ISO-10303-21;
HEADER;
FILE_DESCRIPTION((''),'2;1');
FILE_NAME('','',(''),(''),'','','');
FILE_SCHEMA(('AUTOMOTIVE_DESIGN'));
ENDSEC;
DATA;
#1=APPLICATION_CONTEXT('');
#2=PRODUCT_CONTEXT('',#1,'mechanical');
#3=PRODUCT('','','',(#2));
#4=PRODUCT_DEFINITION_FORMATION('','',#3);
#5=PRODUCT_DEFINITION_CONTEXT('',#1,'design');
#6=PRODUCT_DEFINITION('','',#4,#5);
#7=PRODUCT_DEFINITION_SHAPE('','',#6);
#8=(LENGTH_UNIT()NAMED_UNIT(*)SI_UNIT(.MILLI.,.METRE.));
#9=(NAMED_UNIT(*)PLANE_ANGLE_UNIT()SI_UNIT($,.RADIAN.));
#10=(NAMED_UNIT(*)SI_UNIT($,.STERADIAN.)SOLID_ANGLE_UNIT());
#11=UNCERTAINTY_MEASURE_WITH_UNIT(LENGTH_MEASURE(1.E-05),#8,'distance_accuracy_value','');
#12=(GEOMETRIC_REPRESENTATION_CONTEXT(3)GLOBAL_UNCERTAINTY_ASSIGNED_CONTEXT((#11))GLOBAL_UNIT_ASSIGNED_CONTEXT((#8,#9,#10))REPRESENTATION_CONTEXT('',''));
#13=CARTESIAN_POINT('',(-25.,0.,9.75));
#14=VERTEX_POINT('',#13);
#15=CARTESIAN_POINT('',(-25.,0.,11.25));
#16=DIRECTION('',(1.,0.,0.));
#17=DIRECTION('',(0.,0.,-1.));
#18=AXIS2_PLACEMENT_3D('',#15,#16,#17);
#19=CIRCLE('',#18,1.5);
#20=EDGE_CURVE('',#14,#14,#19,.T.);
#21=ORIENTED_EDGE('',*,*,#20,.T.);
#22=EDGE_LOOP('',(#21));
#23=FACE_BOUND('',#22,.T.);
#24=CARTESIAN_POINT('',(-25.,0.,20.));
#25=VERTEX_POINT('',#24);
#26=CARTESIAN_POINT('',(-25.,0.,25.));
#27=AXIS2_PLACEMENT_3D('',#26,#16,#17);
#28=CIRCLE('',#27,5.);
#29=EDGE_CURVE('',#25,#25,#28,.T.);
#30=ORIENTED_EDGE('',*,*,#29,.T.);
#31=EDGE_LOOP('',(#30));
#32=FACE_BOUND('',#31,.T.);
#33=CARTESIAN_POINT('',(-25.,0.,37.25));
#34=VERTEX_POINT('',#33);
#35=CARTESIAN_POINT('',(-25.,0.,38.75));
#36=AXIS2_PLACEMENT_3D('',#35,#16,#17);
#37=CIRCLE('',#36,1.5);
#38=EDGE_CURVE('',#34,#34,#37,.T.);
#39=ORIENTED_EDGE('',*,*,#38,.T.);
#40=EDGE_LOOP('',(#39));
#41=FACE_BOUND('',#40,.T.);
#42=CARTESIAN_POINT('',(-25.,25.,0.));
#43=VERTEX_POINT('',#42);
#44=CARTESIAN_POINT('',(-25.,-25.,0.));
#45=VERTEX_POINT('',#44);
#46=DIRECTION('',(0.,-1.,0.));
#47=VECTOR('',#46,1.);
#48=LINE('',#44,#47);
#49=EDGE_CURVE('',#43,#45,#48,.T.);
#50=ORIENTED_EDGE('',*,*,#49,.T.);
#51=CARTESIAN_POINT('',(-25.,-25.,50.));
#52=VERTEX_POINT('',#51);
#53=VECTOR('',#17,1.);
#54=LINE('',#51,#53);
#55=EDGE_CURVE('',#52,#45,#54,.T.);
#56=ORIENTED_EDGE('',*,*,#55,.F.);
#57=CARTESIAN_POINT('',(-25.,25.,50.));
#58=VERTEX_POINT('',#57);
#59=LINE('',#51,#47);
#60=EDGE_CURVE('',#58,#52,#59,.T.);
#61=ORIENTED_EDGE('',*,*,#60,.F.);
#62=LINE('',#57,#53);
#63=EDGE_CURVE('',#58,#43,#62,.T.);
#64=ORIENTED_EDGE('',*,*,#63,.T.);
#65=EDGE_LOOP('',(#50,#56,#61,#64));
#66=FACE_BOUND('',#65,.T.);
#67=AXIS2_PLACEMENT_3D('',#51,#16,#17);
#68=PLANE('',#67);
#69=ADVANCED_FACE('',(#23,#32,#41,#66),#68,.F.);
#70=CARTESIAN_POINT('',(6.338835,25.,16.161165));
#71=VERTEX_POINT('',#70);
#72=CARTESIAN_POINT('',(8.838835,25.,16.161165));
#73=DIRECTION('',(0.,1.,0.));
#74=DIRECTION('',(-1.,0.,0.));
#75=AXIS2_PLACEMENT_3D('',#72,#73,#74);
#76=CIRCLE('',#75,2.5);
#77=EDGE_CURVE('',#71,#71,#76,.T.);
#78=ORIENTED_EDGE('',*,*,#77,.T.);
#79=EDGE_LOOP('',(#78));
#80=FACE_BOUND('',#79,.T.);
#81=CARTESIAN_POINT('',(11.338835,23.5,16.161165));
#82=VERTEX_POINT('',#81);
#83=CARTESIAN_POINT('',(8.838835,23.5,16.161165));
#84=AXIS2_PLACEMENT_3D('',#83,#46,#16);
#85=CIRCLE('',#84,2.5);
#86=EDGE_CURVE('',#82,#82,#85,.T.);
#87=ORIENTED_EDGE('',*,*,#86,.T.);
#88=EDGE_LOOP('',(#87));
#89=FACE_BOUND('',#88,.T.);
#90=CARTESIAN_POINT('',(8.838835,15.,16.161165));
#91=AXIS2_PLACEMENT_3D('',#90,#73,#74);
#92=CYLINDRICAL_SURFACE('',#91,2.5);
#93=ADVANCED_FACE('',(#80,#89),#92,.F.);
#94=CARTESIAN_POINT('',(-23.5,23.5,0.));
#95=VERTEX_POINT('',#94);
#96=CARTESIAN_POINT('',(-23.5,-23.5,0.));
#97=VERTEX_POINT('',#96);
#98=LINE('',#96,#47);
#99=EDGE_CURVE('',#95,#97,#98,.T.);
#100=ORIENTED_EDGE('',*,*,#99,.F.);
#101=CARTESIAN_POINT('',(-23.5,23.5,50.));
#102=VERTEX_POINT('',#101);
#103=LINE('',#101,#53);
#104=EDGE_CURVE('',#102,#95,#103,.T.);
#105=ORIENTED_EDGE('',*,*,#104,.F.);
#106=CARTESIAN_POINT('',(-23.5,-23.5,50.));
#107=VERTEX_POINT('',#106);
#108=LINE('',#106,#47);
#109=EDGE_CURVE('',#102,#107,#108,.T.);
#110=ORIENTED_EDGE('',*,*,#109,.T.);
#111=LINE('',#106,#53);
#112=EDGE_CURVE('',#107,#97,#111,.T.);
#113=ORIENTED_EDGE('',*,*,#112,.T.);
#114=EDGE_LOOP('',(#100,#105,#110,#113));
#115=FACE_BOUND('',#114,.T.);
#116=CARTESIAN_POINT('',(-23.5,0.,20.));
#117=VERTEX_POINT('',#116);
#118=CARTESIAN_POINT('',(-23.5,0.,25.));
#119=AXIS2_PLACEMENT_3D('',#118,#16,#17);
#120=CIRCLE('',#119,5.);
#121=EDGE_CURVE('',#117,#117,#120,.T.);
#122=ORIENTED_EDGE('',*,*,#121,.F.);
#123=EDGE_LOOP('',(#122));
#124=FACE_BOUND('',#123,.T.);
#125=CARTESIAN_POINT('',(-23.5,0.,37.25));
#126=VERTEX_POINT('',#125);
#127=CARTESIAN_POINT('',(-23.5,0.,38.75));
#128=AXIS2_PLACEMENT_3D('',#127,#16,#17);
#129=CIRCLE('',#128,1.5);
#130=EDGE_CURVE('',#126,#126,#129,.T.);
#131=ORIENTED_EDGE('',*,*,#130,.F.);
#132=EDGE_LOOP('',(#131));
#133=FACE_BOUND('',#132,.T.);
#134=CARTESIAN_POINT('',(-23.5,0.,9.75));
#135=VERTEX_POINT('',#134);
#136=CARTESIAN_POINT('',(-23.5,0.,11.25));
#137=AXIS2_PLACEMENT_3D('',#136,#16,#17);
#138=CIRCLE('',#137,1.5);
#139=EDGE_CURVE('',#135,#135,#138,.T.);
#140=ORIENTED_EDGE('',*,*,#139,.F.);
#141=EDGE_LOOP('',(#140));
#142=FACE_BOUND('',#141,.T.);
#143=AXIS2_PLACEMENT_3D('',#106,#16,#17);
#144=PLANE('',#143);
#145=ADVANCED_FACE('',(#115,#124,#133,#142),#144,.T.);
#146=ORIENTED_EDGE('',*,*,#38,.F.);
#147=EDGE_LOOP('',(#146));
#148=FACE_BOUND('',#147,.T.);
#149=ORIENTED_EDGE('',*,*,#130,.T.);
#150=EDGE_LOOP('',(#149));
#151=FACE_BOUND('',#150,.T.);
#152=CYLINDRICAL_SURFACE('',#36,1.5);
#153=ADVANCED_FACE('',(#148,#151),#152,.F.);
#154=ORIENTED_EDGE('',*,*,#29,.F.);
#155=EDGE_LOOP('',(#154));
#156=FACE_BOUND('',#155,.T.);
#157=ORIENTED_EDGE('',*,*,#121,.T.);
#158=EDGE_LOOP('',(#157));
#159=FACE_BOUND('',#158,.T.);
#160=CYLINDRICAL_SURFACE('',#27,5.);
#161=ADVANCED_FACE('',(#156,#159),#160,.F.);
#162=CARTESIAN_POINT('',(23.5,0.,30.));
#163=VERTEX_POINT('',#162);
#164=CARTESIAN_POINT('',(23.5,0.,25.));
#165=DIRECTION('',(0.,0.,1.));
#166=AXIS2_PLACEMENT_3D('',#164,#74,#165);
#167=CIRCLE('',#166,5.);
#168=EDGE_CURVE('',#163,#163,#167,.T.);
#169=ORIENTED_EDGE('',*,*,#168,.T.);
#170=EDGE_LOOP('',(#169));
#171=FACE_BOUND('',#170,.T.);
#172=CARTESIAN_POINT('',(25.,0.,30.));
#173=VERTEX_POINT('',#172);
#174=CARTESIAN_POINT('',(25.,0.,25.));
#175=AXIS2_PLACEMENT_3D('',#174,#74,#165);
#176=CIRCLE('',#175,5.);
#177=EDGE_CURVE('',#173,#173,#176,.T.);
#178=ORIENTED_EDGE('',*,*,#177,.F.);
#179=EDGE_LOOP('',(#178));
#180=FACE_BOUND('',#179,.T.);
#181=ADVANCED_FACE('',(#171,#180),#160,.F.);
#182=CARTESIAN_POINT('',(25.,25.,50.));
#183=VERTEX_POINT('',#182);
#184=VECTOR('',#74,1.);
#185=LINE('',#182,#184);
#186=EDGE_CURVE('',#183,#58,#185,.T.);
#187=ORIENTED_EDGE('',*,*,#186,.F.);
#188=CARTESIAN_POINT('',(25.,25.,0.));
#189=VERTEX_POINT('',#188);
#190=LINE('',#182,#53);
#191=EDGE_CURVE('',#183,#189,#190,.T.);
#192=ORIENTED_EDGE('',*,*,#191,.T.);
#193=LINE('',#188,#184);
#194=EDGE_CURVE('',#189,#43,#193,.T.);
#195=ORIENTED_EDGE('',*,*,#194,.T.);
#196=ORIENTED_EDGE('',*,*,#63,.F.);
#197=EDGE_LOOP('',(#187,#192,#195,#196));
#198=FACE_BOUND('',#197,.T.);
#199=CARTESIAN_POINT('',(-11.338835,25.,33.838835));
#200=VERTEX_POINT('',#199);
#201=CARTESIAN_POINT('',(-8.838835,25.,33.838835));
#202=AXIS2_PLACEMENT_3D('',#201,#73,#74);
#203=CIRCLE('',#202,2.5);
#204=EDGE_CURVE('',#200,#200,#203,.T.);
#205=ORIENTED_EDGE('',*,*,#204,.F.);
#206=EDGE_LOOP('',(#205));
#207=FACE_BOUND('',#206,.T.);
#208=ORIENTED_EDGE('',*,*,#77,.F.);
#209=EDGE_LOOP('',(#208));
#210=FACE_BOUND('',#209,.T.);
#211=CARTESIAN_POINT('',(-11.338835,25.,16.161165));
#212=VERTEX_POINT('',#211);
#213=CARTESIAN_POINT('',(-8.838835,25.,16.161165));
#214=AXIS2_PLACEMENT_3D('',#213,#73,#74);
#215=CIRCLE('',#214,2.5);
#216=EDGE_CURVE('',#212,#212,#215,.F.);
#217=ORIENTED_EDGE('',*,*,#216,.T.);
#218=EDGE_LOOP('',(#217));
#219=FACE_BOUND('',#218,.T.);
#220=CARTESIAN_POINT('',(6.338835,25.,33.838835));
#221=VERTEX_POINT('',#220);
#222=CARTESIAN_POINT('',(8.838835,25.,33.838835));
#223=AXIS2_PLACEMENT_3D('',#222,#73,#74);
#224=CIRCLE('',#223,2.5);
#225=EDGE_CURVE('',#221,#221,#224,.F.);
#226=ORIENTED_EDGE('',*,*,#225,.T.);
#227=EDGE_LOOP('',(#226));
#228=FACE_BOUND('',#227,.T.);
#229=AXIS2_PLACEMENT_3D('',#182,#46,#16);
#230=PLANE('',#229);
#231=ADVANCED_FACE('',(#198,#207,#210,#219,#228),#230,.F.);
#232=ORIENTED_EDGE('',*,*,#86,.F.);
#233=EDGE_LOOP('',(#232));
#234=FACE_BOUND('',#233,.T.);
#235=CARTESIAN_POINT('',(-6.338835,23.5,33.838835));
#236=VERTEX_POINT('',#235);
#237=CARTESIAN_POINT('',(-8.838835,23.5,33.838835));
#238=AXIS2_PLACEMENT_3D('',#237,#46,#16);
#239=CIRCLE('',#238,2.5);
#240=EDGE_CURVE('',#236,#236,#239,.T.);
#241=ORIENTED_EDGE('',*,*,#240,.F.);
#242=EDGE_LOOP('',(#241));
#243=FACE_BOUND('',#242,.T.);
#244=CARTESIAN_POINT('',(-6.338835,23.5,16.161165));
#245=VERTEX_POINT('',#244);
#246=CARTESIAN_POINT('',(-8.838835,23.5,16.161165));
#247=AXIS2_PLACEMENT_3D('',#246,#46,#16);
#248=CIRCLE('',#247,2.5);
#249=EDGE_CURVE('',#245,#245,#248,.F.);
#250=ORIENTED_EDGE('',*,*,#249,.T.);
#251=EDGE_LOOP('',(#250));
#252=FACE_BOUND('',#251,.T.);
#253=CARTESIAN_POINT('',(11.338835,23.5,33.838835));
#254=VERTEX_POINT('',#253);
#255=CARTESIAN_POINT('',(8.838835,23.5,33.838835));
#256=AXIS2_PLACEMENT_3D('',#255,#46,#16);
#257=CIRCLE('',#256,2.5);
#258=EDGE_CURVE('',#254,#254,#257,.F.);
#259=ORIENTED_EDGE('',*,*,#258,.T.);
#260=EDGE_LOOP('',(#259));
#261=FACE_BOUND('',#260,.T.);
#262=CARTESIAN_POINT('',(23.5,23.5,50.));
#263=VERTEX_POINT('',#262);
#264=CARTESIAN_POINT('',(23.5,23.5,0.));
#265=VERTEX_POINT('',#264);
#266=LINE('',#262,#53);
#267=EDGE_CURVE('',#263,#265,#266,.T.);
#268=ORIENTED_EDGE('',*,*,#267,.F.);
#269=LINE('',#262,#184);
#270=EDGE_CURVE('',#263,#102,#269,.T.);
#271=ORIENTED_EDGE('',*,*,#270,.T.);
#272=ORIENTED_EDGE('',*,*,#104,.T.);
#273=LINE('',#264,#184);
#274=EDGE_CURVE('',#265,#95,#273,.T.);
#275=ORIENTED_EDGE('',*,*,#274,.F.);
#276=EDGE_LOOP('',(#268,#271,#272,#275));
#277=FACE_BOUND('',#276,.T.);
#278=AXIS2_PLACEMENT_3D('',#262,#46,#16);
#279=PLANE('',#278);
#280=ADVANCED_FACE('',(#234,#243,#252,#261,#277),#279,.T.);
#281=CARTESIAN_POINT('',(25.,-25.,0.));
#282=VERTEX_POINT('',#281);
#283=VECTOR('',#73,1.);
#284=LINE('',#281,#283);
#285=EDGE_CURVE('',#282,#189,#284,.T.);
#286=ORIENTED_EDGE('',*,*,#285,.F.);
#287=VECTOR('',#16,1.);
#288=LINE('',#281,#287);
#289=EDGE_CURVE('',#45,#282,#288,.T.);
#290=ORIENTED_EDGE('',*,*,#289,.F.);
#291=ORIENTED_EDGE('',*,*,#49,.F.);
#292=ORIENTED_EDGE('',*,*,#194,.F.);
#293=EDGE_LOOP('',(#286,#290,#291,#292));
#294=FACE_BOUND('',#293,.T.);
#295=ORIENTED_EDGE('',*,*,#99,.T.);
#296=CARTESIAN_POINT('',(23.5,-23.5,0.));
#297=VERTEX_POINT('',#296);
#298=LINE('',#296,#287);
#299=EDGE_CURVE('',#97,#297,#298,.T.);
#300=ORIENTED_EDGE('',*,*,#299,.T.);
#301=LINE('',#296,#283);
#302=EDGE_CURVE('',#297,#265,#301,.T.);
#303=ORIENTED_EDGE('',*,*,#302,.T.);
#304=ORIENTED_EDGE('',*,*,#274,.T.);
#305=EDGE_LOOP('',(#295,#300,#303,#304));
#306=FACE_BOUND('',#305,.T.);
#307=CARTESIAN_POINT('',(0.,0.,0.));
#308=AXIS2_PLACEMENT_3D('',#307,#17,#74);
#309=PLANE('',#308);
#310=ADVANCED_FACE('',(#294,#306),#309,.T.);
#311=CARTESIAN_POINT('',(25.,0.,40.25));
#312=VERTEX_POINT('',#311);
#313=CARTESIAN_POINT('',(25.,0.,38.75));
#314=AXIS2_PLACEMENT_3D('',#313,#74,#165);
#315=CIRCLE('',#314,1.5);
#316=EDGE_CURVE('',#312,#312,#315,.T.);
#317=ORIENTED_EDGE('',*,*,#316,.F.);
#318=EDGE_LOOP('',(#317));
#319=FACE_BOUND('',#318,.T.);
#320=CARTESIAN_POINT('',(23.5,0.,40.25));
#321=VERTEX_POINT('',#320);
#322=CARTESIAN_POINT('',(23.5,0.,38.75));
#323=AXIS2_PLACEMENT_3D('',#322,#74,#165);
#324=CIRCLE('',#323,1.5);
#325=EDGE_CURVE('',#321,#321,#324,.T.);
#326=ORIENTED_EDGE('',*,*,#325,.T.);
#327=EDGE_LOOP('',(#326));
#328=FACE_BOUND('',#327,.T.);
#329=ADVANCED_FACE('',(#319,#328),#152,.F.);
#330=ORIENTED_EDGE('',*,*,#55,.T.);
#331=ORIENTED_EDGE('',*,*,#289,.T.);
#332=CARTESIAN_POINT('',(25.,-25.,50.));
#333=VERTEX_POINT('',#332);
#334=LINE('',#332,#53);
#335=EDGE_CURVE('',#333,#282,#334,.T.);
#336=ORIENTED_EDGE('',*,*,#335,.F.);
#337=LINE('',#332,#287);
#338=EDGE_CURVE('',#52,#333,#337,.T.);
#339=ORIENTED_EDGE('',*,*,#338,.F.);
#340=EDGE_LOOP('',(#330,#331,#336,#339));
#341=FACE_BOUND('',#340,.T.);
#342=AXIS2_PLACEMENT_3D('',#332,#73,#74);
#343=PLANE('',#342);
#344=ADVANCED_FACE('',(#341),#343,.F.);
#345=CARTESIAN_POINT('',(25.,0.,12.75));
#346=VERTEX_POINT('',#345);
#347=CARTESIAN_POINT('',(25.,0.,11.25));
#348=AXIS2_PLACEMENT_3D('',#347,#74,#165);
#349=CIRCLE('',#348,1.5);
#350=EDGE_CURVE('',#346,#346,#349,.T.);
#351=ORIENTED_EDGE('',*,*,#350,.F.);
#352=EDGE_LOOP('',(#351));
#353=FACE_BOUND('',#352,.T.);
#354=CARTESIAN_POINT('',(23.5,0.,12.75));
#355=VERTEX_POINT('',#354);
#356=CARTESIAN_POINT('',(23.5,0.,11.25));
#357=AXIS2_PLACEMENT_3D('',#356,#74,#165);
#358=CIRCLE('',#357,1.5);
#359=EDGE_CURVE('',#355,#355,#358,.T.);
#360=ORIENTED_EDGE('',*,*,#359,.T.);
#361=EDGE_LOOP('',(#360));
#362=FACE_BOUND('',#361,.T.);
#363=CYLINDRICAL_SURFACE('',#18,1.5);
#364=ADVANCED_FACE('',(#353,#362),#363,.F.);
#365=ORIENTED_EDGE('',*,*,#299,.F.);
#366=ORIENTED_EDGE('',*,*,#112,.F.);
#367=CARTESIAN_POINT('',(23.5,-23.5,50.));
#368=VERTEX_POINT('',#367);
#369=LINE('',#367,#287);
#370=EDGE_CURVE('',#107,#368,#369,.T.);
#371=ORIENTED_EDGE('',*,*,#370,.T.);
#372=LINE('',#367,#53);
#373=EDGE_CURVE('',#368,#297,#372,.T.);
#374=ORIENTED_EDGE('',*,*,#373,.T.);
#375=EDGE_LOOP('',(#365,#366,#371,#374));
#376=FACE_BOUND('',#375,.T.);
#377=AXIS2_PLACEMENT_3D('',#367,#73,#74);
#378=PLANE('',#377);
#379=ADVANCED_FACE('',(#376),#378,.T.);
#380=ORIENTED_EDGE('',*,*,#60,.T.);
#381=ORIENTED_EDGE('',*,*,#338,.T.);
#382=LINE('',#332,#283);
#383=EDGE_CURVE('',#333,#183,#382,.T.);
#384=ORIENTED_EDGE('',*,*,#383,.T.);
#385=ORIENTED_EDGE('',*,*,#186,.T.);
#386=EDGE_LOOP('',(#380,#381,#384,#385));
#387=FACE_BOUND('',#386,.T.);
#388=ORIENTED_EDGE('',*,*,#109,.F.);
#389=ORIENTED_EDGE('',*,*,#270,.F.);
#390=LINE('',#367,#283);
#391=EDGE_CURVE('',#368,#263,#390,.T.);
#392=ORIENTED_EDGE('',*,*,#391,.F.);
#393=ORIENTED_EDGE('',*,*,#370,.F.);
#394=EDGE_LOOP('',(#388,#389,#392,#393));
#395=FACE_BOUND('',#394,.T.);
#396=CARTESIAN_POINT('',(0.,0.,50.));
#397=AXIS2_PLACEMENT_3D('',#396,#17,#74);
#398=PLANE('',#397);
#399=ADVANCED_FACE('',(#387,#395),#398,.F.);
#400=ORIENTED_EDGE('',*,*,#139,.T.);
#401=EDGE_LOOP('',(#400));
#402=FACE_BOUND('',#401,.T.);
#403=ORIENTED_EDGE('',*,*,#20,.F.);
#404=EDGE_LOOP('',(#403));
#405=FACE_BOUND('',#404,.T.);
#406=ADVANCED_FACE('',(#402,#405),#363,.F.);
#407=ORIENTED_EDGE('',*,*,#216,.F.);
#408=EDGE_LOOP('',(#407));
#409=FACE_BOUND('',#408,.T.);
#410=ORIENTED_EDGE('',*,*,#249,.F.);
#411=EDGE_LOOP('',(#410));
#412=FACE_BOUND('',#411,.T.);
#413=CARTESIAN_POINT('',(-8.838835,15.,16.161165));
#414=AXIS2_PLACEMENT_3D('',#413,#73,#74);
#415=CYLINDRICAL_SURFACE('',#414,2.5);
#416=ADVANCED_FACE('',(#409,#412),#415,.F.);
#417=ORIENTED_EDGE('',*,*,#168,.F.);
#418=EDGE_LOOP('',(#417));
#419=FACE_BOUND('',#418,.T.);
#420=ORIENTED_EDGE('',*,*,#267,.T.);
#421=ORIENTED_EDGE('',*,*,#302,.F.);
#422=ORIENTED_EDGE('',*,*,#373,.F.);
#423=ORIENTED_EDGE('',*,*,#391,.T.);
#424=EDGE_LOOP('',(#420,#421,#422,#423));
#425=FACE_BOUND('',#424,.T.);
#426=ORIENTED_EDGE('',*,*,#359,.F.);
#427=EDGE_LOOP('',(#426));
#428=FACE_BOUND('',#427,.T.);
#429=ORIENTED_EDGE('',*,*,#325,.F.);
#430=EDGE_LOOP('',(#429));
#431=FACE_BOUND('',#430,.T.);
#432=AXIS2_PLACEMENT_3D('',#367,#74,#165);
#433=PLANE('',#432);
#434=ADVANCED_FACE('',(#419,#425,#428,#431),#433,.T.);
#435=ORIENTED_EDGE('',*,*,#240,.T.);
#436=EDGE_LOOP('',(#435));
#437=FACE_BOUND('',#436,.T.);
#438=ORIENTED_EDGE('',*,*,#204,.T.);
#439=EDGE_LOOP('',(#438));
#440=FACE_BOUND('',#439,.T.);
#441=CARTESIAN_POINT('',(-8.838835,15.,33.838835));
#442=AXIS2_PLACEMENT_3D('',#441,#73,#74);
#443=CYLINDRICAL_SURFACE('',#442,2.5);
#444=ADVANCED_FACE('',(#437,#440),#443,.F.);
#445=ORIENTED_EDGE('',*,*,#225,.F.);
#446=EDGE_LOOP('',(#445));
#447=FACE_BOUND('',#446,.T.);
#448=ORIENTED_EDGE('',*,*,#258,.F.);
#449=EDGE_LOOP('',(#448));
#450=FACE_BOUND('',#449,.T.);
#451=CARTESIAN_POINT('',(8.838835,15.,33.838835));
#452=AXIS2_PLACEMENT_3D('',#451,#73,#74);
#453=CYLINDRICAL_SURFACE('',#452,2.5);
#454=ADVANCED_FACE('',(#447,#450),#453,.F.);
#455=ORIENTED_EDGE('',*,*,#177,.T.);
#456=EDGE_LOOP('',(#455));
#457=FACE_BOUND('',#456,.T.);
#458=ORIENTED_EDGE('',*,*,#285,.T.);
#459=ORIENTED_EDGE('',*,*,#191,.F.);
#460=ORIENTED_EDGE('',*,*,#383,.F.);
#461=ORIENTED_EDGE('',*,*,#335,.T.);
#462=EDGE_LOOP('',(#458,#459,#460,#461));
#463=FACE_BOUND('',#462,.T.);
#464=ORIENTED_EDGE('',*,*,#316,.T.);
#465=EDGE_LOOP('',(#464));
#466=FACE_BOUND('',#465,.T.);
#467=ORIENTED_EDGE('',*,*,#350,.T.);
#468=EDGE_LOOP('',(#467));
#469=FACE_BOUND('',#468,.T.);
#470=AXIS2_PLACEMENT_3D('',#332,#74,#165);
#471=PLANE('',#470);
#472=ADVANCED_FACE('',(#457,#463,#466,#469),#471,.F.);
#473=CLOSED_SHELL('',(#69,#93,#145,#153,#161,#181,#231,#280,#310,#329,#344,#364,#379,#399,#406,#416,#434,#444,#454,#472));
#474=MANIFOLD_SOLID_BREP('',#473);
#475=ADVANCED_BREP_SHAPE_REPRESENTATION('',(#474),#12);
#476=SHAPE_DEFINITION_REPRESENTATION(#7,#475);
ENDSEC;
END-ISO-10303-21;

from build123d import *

# Parameters (mm, degrees)
ESBO_O1_W                  = 50
ESBO_O1_H                  = 50
ESBO_O1_W_2                = 47
ESBO_O1_H_2                = 47
RESSALTO_EXTRUS_O1_DEPTH   = 50
ESBO_O3_R                  = 5
CORTE_EXTRUS_O1_DEPTH      = 1
CORTE_EXTRUS_O1_DEPTH_BACK = 51
ESBO_O2_R                  = 2.5
CORTE_EXTRUS_O2_DEPTH      = 10
ESBO_O5_R                  = 1.5
CORTE_EXTRUS_O3_DEPTH      = 1
CORTE_EXTRUS_O3_DEPTH_BACK = 51


with BuildPart() as part:
    # Esboço1 → Ressalto-extrusão1 (new body)
    with BuildSketch(Plane.XY):
        Rectangle(ESBO_O1_W, ESBO_O1_H)
        Rectangle(ESBO_O1_W_2, ESBO_O1_H_2, mode=Mode.SUBTRACT)
    extrude(amount=RESSALTO_EXTRUS_O1_DEPTH)

    # Esboço3 → Corte-extrusão1 (cut, two sides)
    with BuildSketch(Plane(origin=(25, 0, 0), x_dir=(0, 0, -1), z_dir=(1, 0, 0))) as corte_extrus_o1_sk:
        with Locations((-25, 0)):
            Circle(ESBO_O3_R)
    extrude(amount=CORTE_EXTRUS_O1_DEPTH, mode=Mode.SUBTRACT)
    extrude(corte_extrus_o1_sk.sketch, amount=-CORTE_EXTRUS_O1_DEPTH_BACK, mode=Mode.SUBTRACT)

    # Esboço2 → Corte-extrusão2 (cut)
    with BuildSketch(Plane(origin=(0, 25, 0), x_dir=(1, 0, 0), z_dir=(0, 1, 0))):
        with Locations((-8.838834765, -16.161165235)):
            Circle(ESBO_O2_R)
        with Locations((8.838834765, -16.161165235)):
            Circle(ESBO_O2_R)
        with Locations((-8.838834765, -33.838834765)):
            Circle(ESBO_O2_R)
        with Locations((8.838834765, -33.838834765)):
            Circle(ESBO_O2_R)
    extrude(amount=-CORTE_EXTRUS_O2_DEPTH, mode=Mode.SUBTRACT)

    # Esboço5 → Corte-extrusão3 (cut, two sides)
    with BuildSketch(Plane(origin=(25, 0, 0), x_dir=(0, 0, -1), z_dir=(1, 0, 0))) as corte_extrus_o3_sk:
        with Locations((-11.25, 0)):
            Circle(ESBO_O5_R)
        with Locations((-38.75, 0)):
            Circle(ESBO_O5_R)
    extrude(amount=CORTE_EXTRUS_O3_DEPTH, mode=Mode.SUBTRACT)
    extrude(corte_extrus_o3_sk.sketch, amount=-CORTE_EXTRUS_O3_DEPTH_BACK, mode=Mode.SUBTRACT)


solid = part.part
